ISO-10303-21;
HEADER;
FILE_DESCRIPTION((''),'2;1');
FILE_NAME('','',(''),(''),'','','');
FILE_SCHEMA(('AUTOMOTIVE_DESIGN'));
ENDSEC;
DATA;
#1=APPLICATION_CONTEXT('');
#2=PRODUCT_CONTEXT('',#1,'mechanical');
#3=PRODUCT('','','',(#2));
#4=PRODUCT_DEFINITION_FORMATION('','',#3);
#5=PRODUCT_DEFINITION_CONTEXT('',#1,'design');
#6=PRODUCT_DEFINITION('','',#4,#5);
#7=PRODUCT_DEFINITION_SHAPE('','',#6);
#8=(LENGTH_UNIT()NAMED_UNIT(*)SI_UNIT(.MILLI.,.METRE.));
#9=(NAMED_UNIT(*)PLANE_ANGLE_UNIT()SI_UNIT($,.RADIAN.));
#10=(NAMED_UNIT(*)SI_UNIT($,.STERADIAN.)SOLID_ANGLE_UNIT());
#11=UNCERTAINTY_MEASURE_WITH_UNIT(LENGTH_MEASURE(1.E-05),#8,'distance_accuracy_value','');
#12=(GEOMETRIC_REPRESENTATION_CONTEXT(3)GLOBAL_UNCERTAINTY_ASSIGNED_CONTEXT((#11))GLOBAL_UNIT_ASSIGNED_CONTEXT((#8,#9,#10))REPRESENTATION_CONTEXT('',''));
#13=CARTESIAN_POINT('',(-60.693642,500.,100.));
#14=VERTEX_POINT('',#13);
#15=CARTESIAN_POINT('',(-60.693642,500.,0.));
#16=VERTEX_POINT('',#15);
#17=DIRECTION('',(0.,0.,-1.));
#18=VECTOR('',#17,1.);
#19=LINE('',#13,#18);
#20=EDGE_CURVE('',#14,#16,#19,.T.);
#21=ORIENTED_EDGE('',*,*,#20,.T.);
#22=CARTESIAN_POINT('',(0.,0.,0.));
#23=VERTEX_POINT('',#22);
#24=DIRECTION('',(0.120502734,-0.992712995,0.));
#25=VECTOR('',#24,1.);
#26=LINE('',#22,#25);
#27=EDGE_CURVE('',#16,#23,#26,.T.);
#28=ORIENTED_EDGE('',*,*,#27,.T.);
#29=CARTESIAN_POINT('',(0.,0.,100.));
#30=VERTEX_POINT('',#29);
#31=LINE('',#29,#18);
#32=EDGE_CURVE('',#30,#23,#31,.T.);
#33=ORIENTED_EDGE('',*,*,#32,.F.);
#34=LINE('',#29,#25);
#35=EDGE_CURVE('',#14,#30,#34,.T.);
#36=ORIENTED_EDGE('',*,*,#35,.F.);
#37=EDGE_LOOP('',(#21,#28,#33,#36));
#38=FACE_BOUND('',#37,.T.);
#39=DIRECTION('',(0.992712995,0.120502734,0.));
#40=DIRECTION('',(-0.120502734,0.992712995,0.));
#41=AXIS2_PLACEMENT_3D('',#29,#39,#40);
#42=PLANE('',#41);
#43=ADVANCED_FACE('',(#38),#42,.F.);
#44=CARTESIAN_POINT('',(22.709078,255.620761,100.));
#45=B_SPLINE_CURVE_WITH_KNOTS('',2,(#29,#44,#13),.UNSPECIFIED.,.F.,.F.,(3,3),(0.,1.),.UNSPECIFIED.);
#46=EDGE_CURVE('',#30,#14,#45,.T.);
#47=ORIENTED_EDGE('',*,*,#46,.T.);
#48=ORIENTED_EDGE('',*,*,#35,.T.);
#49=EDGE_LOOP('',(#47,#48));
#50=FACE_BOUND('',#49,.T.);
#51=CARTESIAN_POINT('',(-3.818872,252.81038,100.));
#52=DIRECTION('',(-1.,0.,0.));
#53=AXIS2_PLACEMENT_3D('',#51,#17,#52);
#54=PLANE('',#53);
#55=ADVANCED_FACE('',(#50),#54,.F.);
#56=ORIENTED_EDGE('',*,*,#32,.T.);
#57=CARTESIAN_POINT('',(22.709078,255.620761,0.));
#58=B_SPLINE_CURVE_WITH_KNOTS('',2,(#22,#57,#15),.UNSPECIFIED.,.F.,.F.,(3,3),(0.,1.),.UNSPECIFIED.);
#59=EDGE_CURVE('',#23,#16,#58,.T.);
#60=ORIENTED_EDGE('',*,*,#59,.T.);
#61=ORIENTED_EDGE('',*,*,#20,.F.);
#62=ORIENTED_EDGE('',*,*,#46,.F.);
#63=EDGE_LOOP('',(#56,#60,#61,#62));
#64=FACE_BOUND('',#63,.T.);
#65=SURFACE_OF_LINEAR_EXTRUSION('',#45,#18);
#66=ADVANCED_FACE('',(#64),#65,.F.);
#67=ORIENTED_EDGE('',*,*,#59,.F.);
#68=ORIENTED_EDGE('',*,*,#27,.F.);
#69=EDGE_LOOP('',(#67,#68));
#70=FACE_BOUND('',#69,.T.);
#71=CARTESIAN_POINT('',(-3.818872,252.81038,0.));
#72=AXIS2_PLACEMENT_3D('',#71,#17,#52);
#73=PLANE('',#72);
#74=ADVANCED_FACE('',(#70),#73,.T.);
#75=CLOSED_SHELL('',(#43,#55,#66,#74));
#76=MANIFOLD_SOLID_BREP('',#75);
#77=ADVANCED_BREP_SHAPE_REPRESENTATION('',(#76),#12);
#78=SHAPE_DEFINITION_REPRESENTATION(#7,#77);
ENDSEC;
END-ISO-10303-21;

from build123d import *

# Parameters (mm, degrees)
BOSS_EXTRUDE1_DEPTH = 100


with BuildPart() as part:
    # Sketch1 → Boss-Extrude1 (new body)
    with BuildSketch(Plane.XY):
        with BuildLine():
            Line((0, 0), (-60.693641618, 500))
            add(Edge.make_bspline(
                [(0, 0), (22.709077536, 255.620760675), (-60.693641618, 500)],
                knots=[0, 0, 0, 1, 1, 1], degree=2))
        make_face()
    extrude(amount=BOSS_EXTRUDE1_DEPTH)


solid = part.part
